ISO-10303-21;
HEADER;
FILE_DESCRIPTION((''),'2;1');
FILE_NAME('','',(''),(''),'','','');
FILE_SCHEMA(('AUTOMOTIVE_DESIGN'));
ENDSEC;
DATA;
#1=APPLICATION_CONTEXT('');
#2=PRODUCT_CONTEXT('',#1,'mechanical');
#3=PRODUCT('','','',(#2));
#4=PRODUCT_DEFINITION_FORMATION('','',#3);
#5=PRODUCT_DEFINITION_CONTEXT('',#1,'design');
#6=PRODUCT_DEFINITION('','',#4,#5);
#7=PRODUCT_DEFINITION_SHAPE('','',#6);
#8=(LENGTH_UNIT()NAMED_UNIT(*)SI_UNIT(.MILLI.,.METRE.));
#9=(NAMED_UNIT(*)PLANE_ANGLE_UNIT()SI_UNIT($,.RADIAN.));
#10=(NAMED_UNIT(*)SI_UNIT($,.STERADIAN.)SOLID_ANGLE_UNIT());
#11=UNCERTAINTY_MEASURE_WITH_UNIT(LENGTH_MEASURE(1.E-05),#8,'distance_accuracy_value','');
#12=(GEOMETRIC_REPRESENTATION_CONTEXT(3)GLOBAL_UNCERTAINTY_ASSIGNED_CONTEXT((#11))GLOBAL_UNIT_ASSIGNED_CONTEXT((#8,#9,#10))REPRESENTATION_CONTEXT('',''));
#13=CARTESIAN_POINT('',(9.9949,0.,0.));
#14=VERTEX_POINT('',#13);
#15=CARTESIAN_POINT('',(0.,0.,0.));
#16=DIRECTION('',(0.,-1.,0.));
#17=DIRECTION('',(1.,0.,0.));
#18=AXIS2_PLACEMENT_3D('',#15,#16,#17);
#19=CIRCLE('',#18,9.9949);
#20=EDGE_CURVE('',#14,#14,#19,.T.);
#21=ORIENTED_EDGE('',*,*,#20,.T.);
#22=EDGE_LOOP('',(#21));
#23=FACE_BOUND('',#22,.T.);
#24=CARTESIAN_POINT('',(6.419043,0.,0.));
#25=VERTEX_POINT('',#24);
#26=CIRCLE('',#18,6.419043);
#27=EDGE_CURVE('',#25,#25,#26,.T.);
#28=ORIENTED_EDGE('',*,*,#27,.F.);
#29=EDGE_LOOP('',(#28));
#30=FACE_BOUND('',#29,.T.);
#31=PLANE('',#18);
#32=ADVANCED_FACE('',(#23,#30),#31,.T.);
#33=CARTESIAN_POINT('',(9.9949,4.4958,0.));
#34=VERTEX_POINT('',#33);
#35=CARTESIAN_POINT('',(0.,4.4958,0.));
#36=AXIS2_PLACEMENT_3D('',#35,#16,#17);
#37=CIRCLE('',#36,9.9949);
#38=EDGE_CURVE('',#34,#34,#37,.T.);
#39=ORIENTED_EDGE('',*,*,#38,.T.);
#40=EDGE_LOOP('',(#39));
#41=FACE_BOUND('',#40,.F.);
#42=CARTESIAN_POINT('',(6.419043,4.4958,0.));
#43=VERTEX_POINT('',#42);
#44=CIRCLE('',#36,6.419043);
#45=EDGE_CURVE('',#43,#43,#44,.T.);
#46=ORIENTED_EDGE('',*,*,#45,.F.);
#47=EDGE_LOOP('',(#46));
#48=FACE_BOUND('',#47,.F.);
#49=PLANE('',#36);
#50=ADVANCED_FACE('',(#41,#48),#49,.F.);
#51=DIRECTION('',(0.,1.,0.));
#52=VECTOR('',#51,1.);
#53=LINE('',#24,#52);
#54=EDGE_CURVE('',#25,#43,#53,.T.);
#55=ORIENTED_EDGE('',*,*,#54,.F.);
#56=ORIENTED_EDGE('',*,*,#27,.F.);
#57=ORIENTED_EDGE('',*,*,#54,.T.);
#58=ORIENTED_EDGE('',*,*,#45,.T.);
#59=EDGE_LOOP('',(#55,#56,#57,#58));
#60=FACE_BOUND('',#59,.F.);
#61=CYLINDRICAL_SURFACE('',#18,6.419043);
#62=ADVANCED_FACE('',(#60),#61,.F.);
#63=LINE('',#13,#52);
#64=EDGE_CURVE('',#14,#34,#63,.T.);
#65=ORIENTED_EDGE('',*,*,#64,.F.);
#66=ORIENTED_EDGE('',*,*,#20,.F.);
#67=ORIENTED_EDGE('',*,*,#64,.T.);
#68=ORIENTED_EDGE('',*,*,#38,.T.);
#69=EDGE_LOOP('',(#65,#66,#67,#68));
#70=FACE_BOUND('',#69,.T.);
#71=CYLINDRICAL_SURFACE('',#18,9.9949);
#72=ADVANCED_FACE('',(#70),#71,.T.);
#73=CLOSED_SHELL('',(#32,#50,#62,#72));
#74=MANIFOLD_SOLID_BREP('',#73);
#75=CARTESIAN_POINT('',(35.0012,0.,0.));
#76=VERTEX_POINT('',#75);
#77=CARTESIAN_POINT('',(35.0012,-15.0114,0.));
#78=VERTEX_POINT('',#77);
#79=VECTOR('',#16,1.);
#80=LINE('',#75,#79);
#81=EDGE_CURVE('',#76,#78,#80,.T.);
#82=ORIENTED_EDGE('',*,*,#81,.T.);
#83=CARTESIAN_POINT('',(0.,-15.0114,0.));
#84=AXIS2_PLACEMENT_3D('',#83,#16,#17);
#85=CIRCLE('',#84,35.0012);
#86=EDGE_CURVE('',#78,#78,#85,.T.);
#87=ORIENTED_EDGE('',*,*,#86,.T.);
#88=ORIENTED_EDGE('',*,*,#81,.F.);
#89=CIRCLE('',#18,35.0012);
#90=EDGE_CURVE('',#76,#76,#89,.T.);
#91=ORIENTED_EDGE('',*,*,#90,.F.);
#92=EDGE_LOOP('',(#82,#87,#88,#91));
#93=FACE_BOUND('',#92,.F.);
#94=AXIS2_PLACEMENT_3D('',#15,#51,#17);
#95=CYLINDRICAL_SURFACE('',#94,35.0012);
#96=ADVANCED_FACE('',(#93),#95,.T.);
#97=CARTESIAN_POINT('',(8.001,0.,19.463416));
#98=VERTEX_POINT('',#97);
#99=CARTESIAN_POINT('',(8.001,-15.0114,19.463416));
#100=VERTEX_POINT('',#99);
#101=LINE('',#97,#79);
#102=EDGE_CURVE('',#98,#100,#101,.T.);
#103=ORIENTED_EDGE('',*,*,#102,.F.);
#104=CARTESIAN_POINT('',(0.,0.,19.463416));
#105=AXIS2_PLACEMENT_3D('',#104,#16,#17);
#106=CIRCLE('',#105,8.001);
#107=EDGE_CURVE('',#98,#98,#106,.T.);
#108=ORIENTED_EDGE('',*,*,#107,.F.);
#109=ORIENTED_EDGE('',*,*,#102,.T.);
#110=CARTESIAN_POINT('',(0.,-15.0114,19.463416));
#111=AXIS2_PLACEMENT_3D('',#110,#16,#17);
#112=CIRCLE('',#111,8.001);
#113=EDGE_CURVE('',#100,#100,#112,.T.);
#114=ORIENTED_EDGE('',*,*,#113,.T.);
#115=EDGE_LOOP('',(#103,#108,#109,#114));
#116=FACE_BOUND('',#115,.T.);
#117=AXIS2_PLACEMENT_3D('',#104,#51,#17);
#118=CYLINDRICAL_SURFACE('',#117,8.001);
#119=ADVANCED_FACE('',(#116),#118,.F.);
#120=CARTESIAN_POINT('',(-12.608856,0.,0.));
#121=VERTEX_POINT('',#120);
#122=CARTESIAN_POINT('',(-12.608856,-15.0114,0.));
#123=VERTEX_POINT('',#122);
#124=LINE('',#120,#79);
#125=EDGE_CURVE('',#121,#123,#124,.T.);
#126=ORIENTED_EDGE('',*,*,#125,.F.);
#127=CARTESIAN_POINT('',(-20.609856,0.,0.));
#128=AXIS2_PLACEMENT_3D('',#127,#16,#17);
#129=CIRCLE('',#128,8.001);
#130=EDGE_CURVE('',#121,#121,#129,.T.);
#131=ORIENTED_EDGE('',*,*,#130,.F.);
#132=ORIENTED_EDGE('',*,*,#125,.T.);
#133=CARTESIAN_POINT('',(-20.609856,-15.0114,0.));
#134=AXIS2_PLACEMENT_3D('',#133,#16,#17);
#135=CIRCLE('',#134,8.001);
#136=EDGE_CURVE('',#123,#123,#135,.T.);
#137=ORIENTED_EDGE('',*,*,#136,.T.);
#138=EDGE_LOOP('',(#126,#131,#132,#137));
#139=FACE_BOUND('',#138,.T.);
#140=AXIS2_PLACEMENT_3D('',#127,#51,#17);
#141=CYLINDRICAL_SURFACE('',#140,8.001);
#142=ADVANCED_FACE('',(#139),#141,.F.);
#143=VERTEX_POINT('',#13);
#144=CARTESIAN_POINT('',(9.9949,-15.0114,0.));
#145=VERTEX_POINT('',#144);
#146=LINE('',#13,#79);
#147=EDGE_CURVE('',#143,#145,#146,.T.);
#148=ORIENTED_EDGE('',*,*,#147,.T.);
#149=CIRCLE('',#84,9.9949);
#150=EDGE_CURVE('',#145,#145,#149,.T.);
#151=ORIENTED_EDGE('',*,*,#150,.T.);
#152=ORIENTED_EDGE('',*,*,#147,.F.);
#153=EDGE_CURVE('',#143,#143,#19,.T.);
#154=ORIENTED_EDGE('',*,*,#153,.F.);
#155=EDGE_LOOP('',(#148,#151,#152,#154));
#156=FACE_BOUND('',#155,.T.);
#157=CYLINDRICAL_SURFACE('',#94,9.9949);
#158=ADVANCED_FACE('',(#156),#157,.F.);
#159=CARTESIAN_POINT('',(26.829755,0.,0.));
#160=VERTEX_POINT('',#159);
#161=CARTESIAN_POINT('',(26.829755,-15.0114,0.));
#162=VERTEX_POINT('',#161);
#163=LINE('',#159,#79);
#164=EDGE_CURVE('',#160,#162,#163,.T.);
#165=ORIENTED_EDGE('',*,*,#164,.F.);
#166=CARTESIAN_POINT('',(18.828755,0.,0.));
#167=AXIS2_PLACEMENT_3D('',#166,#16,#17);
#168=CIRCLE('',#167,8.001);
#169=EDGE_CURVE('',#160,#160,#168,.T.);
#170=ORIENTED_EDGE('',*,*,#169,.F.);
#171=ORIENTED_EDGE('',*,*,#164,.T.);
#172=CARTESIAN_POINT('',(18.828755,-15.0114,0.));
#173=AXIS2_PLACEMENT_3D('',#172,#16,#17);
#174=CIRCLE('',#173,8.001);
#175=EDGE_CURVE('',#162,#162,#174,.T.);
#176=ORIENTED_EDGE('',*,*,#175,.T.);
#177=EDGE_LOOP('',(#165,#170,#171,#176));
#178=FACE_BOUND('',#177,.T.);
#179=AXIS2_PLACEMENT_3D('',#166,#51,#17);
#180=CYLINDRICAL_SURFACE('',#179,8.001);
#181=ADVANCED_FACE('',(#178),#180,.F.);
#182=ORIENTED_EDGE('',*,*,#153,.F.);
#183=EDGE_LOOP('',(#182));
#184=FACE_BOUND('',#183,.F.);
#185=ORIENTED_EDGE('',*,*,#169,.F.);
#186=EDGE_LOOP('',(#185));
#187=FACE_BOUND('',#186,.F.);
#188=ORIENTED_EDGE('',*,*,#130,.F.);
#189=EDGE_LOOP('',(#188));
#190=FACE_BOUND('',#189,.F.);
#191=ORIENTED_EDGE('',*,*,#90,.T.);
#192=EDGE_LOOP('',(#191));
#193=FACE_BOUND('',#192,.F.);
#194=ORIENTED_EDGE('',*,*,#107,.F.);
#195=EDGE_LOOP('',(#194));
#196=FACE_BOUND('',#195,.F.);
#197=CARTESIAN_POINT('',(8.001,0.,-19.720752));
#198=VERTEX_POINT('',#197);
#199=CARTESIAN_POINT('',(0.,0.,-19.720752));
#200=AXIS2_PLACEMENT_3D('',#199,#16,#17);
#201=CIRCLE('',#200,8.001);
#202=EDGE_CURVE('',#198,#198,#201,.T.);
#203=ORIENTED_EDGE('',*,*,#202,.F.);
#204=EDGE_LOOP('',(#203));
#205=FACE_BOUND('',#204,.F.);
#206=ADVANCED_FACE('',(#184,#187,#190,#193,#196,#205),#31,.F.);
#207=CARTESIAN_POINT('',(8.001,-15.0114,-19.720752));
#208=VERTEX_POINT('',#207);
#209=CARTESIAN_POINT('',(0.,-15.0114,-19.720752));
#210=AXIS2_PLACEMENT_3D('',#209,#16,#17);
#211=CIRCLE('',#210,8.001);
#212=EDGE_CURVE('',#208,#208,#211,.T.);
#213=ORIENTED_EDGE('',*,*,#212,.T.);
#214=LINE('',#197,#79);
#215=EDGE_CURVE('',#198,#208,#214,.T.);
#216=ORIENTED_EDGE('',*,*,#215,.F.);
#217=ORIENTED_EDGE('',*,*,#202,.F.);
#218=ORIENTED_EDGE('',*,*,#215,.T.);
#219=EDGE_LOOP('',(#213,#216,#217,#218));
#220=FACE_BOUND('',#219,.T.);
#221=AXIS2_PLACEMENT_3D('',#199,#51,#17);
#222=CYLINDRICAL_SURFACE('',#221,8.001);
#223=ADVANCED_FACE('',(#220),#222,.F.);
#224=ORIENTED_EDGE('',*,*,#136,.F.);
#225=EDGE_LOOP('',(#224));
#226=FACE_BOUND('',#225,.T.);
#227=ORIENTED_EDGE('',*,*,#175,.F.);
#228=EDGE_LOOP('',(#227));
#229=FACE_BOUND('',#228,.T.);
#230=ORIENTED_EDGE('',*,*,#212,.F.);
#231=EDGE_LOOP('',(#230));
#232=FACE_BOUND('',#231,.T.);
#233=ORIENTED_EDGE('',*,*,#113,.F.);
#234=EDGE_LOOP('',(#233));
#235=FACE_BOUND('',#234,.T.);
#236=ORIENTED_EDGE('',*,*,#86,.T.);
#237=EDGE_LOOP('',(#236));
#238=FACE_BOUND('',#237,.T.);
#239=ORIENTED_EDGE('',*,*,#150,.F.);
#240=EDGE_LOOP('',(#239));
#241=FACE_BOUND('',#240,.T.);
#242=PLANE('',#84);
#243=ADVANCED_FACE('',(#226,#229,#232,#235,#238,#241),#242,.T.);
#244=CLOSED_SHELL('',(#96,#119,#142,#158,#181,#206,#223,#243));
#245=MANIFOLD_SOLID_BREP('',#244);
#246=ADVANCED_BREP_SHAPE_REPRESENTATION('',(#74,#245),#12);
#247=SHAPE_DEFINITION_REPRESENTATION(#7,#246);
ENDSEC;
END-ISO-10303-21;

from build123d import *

# Parameters (mm, degrees)
F0_R     = 35.0012
F0_R_2   = 29.9974
F0_R_3   = 8.001
F0_R_4   = 9.9949
F1_DEPTH = 15.0114
F0_R_5   = 6.419043
F2_DEPTH = 4.4958


with BuildPart() as f1:
    # F0 (on Front) → F1 (new body)
    with BuildSketch(Plane.XZ):
        Circle(F0_R)
        Circle(F0_R_2, mode=Mode.SUBTRACT)
        Circle(F0_R_2)
        with Locations((0, -19.720752)):
            Circle(F0_R_3, mode=Mode.SUBTRACT)
        with Locations((-20.609856, 0)):
            Circle(F0_R_3, mode=Mode.SUBTRACT)
        Circle(F0_R_4, mode=Mode.SUBTRACT)
        with Locations((18.828755, 0)):
            Circle(F0_R_3, mode=Mode.SUBTRACT)
        with Locations((0, 19.463416)):
            Circle(F0_R_3, mode=Mode.SUBTRACT)
    extrude(amount=F1_DEPTH)


with BuildPart() as f2:
    # F0 (on Front) → F2 (new body)
    with BuildSketch(Plane.XZ):
        Circle(F0_R_4)
        Circle(F0_R_5, mode=Mode.SUBTRACT)
    extrude(amount=-F2_DEPTH)


solid = Compound([f1.part, f2.part])
